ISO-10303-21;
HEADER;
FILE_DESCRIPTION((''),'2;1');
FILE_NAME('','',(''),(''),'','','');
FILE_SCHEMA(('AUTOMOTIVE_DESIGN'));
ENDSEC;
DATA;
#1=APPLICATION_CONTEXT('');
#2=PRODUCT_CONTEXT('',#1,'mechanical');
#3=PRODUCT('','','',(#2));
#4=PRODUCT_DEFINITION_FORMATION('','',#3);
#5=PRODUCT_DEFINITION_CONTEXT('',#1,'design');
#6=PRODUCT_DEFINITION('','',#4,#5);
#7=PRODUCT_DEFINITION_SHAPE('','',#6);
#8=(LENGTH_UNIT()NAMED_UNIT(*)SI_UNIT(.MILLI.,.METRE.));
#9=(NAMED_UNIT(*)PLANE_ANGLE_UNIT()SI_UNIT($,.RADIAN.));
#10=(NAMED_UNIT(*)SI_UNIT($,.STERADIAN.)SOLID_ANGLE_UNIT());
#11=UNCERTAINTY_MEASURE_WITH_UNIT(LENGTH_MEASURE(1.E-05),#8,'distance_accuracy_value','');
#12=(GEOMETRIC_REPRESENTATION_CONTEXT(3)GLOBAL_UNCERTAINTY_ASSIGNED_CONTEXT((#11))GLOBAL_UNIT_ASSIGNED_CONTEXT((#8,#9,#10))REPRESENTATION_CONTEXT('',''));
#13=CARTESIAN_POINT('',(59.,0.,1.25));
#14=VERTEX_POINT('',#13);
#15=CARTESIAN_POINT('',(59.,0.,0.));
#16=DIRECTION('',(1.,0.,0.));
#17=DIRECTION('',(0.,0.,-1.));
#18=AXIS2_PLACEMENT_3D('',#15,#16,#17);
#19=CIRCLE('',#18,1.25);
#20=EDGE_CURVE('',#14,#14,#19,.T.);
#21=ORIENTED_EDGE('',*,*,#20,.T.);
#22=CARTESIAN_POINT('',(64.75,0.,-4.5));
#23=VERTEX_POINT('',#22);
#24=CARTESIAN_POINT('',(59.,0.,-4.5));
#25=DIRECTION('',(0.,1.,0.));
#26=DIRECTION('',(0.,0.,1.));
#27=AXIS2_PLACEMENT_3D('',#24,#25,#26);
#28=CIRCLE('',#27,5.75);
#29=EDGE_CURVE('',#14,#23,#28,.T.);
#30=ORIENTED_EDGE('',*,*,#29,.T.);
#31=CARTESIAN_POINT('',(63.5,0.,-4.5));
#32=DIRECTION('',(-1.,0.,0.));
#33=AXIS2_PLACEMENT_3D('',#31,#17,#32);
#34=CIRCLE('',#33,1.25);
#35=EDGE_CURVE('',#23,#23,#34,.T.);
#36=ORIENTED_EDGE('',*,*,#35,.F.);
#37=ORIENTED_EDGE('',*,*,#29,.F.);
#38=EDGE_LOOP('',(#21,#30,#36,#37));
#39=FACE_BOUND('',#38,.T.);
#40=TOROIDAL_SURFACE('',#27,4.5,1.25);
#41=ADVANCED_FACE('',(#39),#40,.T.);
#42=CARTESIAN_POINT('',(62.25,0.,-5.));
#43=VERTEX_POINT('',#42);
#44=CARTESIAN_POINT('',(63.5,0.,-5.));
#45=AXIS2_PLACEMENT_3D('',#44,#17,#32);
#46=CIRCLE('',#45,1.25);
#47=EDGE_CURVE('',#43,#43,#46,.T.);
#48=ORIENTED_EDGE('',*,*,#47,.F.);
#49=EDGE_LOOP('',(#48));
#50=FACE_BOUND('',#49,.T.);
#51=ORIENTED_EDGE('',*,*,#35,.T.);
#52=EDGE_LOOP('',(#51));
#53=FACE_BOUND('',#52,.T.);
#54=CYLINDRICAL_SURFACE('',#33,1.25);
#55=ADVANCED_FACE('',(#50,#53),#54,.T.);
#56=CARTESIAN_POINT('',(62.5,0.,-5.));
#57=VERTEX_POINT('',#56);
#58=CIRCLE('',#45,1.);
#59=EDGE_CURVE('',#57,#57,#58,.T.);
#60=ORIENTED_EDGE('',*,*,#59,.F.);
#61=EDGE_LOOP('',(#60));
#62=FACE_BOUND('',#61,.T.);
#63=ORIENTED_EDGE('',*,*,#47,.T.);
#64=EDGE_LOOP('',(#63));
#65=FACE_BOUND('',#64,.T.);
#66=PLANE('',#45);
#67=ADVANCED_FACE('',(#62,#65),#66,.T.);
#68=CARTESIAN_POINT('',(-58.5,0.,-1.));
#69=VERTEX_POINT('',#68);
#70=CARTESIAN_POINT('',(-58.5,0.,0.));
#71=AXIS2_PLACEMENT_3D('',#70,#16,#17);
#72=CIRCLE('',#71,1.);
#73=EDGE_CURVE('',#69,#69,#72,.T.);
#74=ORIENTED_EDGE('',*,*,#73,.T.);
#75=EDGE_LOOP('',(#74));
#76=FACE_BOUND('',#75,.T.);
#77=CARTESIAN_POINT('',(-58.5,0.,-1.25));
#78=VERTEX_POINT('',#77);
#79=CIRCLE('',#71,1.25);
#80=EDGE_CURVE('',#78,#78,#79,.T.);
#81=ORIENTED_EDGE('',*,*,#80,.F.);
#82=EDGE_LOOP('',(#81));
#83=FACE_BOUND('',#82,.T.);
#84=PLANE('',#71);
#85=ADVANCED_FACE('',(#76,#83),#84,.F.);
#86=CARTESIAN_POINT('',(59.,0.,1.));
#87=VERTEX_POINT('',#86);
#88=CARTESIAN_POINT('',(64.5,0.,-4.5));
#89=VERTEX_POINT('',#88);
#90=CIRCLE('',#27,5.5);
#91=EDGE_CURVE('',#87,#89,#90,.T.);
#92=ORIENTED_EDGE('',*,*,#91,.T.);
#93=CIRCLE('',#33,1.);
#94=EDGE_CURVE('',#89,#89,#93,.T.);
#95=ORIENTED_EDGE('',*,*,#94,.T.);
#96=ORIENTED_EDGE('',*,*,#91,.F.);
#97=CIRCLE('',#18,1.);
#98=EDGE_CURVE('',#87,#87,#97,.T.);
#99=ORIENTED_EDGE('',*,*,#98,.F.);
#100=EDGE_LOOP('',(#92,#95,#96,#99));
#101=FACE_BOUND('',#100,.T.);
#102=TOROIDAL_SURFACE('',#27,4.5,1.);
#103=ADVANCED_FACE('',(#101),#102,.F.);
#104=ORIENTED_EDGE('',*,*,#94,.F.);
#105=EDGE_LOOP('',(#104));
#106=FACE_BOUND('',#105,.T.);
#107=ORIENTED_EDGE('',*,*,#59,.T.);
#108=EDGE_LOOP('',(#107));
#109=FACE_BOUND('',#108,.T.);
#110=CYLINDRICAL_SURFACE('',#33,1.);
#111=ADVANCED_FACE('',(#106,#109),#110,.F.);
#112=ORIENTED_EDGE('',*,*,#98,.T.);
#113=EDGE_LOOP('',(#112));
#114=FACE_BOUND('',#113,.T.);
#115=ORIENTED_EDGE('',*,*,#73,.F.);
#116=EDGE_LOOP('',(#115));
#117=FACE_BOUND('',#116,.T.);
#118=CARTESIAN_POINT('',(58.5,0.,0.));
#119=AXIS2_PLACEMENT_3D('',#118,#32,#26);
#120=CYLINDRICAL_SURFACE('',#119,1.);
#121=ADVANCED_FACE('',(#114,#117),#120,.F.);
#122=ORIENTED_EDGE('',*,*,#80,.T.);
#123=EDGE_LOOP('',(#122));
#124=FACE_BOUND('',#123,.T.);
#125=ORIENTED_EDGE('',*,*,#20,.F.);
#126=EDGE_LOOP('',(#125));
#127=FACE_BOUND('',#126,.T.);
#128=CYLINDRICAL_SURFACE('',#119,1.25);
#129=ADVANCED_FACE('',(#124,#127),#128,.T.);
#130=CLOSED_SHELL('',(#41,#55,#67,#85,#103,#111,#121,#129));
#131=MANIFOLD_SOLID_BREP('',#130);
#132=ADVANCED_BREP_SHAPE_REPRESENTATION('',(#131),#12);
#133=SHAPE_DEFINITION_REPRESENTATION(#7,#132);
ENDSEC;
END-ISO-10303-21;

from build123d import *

# Parameters (mm, degrees)
SKIZZE1_R                       = 1.25
SKIZZE1_R_2                     = 1
AUFSATZ_LINEAR_AUSTRAGEN1_DEPTH = 58.5
SKIZZE2_R                       = 1.25
SKIZZE2_R_2                     = 1


with BuildPart() as part:
    # Skizze1 → Aufsatz-Linear austragen1 (new, symmetric)
    with BuildSketch(Plane(origin=(0, 0, 0), x_dir=(0, 0, -1), z_dir=(1, 0, 0))):
        Circle(SKIZZE1_R)
        Circle(SKIZZE1_R_2, mode=Mode.SUBTRACT)
    extrude(amount=AUFSATZ_LINEAR_AUSTRAGEN1_DEPTH, both=True)

    # Austragung1: sweep along a path in Skizze3
    with BuildLine(Plane(origin=(0, 0, 0), x_dir=(1, 0, 0), z_dir=(0, 1, 0))) as austragung1_path:
        Line((58.5, 0), (59, 0))
        ThreePointArc((59, 0), (62.181980515, 1.318019485), (63.5, 4.5))
        Line((63.5, 4.5), (63.5, 5))
    # Skizze2 → Austragung1 (sweep)
    with BuildSketch(Plane(origin=(58.5, 0, 0), x_dir=(0, 0, -1), z_dir=(1, 0, 0))):
        Circle(SKIZZE2_R)
        Circle(SKIZZE2_R_2, mode=Mode.SUBTRACT)
    sweep(path=austragung1_path.line)


solid = part.part
